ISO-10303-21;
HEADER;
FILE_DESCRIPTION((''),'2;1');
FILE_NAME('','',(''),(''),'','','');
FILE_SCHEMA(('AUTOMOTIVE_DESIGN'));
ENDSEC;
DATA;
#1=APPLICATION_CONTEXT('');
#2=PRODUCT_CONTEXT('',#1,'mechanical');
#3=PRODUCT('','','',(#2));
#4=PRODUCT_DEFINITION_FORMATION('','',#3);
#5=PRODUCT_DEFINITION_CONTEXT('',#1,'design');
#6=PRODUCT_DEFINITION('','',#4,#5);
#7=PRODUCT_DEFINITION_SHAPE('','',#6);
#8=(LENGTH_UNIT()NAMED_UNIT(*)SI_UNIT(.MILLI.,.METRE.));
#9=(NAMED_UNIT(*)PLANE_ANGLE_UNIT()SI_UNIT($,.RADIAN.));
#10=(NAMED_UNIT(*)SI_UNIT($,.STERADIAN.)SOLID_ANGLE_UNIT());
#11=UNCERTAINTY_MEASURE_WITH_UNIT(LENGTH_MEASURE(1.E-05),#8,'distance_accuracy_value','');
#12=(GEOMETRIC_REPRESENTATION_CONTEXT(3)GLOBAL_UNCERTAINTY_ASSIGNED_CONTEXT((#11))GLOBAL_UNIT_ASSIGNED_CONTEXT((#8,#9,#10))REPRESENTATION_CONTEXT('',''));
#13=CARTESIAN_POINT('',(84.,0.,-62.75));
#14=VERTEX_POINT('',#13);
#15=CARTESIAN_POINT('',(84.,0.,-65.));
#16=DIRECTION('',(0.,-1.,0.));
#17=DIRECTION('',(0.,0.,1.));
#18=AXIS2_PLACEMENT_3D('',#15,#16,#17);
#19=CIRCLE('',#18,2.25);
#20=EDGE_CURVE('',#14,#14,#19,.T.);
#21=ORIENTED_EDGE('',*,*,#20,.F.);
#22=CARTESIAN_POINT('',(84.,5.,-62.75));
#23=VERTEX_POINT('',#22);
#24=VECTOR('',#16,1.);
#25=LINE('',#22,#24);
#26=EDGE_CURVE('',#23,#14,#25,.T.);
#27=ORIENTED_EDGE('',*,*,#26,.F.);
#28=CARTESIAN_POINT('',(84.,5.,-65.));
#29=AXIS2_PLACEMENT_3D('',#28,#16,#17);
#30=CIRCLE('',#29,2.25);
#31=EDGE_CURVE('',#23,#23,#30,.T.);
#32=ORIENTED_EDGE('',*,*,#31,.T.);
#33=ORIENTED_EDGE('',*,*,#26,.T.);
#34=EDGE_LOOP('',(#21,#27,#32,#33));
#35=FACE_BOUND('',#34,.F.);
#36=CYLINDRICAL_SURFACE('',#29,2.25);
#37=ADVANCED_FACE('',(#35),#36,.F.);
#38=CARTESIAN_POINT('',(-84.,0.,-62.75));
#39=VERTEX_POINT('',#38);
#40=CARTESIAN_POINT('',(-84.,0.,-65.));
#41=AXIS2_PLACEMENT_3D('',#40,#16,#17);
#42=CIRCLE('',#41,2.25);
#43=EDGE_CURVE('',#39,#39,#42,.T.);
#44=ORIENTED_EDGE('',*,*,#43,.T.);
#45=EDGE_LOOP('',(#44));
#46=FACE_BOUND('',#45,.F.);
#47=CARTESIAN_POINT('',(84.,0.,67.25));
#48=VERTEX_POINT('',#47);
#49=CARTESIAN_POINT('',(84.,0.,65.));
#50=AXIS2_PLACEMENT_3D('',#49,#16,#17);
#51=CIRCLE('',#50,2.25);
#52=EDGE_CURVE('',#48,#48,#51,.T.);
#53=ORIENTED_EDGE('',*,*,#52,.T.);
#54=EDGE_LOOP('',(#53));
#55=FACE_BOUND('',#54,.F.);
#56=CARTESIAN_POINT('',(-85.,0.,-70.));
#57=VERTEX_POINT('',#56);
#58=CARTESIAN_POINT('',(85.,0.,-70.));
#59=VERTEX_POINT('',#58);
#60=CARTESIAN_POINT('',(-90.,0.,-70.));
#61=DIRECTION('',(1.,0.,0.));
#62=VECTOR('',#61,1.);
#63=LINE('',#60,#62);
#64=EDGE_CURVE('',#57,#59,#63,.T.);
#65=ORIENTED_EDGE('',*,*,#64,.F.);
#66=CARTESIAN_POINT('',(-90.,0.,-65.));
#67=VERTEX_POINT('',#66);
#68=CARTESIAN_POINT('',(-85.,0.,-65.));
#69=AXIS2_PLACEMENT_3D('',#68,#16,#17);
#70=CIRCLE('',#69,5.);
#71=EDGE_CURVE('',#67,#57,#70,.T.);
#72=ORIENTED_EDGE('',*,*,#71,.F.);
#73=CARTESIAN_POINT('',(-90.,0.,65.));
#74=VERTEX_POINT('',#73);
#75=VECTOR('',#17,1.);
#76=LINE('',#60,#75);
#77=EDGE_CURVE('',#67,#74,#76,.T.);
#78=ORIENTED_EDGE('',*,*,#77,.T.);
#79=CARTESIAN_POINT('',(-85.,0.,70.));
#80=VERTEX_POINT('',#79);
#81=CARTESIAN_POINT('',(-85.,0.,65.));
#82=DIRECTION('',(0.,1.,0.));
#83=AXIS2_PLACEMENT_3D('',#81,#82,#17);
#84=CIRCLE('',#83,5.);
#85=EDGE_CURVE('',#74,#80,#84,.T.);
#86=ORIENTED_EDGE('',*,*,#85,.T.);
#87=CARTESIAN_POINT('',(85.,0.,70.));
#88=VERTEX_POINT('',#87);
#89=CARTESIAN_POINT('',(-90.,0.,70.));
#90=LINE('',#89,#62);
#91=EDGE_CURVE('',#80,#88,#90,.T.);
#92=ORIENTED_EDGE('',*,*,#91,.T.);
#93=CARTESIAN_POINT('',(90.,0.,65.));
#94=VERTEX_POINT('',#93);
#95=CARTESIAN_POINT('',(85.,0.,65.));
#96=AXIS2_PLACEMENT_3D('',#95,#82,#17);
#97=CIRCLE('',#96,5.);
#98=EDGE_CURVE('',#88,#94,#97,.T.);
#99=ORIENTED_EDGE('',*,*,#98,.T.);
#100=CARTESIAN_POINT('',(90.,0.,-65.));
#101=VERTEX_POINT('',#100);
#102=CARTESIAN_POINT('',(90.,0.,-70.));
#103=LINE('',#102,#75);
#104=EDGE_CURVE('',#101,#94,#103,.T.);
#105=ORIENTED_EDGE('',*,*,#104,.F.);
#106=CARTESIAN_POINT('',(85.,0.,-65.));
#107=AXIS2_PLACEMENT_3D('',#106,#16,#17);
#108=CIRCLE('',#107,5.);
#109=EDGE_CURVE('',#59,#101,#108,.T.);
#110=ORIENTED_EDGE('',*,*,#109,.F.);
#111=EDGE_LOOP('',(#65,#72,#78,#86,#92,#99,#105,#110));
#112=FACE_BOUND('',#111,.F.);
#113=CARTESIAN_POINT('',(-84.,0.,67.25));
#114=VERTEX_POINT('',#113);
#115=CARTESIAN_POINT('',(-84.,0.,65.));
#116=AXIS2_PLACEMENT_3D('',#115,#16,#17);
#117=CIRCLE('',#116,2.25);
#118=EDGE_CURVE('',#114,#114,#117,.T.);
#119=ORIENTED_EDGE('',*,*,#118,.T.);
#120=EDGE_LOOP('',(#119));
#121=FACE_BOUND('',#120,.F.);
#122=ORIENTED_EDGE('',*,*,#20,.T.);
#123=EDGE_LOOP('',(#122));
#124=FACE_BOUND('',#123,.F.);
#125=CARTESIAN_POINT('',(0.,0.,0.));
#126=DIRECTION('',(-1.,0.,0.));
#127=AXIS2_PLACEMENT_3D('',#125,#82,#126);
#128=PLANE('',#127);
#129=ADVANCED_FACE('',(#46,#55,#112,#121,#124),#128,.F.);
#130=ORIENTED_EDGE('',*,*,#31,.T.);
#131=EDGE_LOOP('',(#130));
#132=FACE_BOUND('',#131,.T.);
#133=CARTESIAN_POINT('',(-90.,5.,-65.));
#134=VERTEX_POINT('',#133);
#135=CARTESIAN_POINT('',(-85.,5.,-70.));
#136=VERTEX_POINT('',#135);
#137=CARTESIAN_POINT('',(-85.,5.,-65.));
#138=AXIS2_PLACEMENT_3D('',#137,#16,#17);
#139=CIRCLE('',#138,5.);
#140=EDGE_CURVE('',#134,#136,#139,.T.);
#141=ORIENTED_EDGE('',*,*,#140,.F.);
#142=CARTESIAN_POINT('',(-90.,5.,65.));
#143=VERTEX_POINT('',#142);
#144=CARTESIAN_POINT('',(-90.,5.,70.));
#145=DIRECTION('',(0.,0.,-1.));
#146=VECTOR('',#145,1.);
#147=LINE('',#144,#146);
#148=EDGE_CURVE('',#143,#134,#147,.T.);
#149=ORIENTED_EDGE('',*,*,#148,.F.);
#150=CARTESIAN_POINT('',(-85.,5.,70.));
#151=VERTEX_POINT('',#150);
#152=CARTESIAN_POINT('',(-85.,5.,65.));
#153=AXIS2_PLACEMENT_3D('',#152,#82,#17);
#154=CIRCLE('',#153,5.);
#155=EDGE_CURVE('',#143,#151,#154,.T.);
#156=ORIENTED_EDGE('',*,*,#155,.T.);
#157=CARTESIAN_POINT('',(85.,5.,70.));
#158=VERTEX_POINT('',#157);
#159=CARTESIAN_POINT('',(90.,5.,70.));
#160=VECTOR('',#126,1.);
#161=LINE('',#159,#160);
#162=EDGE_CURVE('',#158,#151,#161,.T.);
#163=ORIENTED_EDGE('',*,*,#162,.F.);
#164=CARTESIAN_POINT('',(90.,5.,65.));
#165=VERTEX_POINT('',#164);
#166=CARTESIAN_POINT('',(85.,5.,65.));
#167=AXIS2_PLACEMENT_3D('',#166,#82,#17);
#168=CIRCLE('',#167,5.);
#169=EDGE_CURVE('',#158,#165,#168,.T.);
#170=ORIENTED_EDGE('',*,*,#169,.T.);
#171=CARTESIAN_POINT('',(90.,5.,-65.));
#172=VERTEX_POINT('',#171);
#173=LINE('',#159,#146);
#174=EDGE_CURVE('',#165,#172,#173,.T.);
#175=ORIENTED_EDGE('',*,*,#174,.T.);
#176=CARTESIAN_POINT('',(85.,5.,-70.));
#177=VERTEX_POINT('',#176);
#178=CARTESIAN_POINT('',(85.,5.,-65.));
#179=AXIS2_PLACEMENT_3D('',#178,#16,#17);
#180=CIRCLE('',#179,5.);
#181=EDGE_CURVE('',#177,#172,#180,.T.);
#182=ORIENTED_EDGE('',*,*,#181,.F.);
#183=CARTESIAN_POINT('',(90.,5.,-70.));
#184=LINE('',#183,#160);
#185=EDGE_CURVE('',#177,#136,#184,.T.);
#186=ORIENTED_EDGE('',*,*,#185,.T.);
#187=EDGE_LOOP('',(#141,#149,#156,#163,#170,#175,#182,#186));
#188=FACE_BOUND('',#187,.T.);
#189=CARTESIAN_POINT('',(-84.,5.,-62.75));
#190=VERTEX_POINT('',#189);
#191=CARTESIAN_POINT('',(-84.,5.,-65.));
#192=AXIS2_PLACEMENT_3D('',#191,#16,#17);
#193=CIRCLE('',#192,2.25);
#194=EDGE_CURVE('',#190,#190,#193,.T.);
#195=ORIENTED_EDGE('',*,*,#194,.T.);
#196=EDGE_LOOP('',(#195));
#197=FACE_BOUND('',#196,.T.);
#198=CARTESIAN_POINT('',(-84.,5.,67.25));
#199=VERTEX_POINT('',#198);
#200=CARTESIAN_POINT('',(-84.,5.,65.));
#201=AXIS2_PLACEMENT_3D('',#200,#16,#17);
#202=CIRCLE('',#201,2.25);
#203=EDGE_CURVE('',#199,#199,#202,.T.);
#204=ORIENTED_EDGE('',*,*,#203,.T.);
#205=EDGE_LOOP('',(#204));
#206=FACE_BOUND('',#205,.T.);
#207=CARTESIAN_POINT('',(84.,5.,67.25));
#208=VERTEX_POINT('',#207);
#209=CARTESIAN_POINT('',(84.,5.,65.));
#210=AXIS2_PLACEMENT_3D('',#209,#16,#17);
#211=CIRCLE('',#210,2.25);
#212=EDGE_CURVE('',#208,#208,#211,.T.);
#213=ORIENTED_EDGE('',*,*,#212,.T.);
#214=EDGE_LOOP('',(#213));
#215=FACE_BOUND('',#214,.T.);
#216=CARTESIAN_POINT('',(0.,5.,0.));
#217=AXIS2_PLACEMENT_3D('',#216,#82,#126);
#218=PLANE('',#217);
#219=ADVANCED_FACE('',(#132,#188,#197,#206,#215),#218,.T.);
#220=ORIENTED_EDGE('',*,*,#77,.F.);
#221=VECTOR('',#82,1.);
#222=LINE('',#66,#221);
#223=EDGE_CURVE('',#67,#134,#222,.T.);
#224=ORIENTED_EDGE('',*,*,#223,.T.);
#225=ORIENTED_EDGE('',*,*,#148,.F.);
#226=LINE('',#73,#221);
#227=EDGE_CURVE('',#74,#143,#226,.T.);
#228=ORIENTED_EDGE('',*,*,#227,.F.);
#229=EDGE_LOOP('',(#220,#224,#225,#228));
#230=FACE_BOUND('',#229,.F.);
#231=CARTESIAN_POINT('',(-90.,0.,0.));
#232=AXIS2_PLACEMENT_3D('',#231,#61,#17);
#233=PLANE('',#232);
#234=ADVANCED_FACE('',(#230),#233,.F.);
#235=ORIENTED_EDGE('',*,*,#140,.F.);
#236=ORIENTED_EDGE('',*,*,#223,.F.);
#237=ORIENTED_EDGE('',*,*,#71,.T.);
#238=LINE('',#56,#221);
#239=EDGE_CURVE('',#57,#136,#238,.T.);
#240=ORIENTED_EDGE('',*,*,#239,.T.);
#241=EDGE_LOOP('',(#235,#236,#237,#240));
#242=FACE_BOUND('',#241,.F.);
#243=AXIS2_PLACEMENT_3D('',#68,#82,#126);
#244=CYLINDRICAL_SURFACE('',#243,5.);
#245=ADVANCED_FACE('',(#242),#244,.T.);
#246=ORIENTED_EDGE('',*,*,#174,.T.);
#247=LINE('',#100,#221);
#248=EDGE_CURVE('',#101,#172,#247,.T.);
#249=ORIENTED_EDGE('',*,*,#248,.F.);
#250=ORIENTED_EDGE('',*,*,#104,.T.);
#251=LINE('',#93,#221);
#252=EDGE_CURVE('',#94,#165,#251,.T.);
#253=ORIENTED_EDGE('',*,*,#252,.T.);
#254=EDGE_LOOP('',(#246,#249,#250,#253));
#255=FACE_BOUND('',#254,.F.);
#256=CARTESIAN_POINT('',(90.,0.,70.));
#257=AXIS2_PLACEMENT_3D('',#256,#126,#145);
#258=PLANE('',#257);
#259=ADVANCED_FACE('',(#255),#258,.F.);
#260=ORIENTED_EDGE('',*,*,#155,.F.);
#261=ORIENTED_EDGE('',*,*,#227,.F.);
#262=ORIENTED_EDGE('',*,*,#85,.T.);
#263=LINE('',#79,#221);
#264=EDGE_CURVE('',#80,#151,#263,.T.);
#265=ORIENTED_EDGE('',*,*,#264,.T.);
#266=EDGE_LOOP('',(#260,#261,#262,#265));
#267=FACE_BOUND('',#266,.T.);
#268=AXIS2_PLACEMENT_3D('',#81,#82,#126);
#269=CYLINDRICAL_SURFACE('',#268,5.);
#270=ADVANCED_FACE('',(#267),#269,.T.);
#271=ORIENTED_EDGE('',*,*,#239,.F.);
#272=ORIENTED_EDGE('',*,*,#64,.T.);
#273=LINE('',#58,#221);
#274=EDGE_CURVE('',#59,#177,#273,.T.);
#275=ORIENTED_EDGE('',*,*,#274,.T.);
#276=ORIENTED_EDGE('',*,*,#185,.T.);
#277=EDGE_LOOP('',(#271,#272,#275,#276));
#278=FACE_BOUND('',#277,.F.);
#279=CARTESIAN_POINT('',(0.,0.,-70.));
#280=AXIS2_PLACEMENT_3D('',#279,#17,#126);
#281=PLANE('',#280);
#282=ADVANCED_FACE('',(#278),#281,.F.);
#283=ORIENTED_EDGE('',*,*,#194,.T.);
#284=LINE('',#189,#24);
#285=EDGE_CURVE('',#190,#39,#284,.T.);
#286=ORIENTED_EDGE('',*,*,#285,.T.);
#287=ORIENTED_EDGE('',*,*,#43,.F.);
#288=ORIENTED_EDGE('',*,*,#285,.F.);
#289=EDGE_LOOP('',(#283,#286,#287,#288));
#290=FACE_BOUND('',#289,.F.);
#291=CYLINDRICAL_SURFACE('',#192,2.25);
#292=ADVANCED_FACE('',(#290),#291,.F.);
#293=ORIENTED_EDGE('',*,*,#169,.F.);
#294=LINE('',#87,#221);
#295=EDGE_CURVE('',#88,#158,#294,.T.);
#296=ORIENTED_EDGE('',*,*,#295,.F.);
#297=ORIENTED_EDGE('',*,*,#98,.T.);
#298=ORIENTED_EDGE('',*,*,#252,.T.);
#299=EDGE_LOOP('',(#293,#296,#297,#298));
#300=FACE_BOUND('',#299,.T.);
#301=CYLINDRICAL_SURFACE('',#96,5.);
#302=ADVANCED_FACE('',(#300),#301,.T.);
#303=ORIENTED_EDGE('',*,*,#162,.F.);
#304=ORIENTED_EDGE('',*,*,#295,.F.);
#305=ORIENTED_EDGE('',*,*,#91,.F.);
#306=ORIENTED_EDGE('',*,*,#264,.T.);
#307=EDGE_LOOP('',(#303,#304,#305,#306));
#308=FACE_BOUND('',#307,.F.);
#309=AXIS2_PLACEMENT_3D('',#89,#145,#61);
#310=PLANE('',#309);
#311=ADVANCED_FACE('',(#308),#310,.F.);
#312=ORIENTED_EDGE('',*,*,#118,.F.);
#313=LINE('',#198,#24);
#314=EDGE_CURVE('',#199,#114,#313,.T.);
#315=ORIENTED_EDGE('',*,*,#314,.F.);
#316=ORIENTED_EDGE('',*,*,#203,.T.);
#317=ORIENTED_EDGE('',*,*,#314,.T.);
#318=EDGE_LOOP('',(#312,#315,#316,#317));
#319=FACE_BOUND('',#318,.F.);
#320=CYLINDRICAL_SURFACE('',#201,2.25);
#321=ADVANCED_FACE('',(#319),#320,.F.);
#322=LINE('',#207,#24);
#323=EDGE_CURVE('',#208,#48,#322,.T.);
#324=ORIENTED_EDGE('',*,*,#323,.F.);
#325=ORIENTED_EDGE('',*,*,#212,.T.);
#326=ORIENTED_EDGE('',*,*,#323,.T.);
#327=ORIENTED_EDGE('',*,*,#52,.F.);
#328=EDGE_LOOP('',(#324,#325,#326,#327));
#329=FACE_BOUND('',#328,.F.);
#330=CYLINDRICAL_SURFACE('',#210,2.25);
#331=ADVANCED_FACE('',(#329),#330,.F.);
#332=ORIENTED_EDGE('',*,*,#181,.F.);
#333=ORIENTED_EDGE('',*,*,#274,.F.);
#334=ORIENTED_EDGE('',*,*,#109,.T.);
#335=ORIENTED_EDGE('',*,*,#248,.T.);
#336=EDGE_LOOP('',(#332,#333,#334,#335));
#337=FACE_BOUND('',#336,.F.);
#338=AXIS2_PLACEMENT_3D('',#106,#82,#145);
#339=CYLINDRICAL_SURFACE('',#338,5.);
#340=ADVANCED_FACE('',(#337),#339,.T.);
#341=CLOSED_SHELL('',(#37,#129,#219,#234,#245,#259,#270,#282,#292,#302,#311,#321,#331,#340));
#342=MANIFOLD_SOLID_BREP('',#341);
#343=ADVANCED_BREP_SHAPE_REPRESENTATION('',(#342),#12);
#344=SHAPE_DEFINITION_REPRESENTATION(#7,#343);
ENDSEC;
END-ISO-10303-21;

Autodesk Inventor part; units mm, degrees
ref_plane "YZ Plane" through (0, 0, 0) normal (1, 0, 0) x (0, 1, 0)
ref_plane "XZ Plane" through (0, 0, 0) normal (0, 1, 0) x (-1, 0, 0)
ref_plane "XY Plane" through (0, 0, 0) normal (0, 0, 1) x (1, 0, 0)
sketch "Эскиз1" plane through (0, 0, 0) normal (0, 1, 0) x (-1, 0, 0)
  line L0 (90, 70) -> (-90, 70)
  line L1 (-90, 70) -> (-90, -70)
  line L2 (-90, -70) -> (90, -70)
  line L3 (90, -70) -> (90, 70)
  line L4 (-126, 0) -> (126, 0) projected
  line L5 (0, -98) -> (0, 98) projected
  point P0 (0, 0)
  dimension "d1" = 180
  dimension "d2" = 140
extrude "Выдавливание1" add sketch "Эскиз1" along normal blind 5
fillet "Сопряжение1" radius 5 4 edges at (90, 2.5, -70) (90, 2.5, 70) (-90, 2.5, 70) (-90, 2.5, -70)
sketch "Эскиз2" plane through (0, 5, 0) normal (0, 1, 0) x (1, 0, 0)
  line L0 (0, 98) -> (0, -98) projected
  line L1 (-126, 0) -> (126, 0) projected
  line L2 (-90, 65) -> (-90, -65) projected
  line L3 (-85, -70) -> (85, -70) projected
  point P0 (0, 0)
  point P1 (-84, -65)
  point P2 (-84, 65)
  point P3 (84, -65)
  point P4 (84, 65)
  dimension "d15" = 130
  dimension "d18" = 168
  dimension "d21" = 6
  dimension "d22" = 5
hole "Отверстие1" at (-84, 5, 65) at (84, 5, 65) at (-84, 5, -65) at (84, 5, -65) direction (0, -1, 0) diameter 4.5 end through all
properties part number "крышка акб" material "Пластик АБС"
